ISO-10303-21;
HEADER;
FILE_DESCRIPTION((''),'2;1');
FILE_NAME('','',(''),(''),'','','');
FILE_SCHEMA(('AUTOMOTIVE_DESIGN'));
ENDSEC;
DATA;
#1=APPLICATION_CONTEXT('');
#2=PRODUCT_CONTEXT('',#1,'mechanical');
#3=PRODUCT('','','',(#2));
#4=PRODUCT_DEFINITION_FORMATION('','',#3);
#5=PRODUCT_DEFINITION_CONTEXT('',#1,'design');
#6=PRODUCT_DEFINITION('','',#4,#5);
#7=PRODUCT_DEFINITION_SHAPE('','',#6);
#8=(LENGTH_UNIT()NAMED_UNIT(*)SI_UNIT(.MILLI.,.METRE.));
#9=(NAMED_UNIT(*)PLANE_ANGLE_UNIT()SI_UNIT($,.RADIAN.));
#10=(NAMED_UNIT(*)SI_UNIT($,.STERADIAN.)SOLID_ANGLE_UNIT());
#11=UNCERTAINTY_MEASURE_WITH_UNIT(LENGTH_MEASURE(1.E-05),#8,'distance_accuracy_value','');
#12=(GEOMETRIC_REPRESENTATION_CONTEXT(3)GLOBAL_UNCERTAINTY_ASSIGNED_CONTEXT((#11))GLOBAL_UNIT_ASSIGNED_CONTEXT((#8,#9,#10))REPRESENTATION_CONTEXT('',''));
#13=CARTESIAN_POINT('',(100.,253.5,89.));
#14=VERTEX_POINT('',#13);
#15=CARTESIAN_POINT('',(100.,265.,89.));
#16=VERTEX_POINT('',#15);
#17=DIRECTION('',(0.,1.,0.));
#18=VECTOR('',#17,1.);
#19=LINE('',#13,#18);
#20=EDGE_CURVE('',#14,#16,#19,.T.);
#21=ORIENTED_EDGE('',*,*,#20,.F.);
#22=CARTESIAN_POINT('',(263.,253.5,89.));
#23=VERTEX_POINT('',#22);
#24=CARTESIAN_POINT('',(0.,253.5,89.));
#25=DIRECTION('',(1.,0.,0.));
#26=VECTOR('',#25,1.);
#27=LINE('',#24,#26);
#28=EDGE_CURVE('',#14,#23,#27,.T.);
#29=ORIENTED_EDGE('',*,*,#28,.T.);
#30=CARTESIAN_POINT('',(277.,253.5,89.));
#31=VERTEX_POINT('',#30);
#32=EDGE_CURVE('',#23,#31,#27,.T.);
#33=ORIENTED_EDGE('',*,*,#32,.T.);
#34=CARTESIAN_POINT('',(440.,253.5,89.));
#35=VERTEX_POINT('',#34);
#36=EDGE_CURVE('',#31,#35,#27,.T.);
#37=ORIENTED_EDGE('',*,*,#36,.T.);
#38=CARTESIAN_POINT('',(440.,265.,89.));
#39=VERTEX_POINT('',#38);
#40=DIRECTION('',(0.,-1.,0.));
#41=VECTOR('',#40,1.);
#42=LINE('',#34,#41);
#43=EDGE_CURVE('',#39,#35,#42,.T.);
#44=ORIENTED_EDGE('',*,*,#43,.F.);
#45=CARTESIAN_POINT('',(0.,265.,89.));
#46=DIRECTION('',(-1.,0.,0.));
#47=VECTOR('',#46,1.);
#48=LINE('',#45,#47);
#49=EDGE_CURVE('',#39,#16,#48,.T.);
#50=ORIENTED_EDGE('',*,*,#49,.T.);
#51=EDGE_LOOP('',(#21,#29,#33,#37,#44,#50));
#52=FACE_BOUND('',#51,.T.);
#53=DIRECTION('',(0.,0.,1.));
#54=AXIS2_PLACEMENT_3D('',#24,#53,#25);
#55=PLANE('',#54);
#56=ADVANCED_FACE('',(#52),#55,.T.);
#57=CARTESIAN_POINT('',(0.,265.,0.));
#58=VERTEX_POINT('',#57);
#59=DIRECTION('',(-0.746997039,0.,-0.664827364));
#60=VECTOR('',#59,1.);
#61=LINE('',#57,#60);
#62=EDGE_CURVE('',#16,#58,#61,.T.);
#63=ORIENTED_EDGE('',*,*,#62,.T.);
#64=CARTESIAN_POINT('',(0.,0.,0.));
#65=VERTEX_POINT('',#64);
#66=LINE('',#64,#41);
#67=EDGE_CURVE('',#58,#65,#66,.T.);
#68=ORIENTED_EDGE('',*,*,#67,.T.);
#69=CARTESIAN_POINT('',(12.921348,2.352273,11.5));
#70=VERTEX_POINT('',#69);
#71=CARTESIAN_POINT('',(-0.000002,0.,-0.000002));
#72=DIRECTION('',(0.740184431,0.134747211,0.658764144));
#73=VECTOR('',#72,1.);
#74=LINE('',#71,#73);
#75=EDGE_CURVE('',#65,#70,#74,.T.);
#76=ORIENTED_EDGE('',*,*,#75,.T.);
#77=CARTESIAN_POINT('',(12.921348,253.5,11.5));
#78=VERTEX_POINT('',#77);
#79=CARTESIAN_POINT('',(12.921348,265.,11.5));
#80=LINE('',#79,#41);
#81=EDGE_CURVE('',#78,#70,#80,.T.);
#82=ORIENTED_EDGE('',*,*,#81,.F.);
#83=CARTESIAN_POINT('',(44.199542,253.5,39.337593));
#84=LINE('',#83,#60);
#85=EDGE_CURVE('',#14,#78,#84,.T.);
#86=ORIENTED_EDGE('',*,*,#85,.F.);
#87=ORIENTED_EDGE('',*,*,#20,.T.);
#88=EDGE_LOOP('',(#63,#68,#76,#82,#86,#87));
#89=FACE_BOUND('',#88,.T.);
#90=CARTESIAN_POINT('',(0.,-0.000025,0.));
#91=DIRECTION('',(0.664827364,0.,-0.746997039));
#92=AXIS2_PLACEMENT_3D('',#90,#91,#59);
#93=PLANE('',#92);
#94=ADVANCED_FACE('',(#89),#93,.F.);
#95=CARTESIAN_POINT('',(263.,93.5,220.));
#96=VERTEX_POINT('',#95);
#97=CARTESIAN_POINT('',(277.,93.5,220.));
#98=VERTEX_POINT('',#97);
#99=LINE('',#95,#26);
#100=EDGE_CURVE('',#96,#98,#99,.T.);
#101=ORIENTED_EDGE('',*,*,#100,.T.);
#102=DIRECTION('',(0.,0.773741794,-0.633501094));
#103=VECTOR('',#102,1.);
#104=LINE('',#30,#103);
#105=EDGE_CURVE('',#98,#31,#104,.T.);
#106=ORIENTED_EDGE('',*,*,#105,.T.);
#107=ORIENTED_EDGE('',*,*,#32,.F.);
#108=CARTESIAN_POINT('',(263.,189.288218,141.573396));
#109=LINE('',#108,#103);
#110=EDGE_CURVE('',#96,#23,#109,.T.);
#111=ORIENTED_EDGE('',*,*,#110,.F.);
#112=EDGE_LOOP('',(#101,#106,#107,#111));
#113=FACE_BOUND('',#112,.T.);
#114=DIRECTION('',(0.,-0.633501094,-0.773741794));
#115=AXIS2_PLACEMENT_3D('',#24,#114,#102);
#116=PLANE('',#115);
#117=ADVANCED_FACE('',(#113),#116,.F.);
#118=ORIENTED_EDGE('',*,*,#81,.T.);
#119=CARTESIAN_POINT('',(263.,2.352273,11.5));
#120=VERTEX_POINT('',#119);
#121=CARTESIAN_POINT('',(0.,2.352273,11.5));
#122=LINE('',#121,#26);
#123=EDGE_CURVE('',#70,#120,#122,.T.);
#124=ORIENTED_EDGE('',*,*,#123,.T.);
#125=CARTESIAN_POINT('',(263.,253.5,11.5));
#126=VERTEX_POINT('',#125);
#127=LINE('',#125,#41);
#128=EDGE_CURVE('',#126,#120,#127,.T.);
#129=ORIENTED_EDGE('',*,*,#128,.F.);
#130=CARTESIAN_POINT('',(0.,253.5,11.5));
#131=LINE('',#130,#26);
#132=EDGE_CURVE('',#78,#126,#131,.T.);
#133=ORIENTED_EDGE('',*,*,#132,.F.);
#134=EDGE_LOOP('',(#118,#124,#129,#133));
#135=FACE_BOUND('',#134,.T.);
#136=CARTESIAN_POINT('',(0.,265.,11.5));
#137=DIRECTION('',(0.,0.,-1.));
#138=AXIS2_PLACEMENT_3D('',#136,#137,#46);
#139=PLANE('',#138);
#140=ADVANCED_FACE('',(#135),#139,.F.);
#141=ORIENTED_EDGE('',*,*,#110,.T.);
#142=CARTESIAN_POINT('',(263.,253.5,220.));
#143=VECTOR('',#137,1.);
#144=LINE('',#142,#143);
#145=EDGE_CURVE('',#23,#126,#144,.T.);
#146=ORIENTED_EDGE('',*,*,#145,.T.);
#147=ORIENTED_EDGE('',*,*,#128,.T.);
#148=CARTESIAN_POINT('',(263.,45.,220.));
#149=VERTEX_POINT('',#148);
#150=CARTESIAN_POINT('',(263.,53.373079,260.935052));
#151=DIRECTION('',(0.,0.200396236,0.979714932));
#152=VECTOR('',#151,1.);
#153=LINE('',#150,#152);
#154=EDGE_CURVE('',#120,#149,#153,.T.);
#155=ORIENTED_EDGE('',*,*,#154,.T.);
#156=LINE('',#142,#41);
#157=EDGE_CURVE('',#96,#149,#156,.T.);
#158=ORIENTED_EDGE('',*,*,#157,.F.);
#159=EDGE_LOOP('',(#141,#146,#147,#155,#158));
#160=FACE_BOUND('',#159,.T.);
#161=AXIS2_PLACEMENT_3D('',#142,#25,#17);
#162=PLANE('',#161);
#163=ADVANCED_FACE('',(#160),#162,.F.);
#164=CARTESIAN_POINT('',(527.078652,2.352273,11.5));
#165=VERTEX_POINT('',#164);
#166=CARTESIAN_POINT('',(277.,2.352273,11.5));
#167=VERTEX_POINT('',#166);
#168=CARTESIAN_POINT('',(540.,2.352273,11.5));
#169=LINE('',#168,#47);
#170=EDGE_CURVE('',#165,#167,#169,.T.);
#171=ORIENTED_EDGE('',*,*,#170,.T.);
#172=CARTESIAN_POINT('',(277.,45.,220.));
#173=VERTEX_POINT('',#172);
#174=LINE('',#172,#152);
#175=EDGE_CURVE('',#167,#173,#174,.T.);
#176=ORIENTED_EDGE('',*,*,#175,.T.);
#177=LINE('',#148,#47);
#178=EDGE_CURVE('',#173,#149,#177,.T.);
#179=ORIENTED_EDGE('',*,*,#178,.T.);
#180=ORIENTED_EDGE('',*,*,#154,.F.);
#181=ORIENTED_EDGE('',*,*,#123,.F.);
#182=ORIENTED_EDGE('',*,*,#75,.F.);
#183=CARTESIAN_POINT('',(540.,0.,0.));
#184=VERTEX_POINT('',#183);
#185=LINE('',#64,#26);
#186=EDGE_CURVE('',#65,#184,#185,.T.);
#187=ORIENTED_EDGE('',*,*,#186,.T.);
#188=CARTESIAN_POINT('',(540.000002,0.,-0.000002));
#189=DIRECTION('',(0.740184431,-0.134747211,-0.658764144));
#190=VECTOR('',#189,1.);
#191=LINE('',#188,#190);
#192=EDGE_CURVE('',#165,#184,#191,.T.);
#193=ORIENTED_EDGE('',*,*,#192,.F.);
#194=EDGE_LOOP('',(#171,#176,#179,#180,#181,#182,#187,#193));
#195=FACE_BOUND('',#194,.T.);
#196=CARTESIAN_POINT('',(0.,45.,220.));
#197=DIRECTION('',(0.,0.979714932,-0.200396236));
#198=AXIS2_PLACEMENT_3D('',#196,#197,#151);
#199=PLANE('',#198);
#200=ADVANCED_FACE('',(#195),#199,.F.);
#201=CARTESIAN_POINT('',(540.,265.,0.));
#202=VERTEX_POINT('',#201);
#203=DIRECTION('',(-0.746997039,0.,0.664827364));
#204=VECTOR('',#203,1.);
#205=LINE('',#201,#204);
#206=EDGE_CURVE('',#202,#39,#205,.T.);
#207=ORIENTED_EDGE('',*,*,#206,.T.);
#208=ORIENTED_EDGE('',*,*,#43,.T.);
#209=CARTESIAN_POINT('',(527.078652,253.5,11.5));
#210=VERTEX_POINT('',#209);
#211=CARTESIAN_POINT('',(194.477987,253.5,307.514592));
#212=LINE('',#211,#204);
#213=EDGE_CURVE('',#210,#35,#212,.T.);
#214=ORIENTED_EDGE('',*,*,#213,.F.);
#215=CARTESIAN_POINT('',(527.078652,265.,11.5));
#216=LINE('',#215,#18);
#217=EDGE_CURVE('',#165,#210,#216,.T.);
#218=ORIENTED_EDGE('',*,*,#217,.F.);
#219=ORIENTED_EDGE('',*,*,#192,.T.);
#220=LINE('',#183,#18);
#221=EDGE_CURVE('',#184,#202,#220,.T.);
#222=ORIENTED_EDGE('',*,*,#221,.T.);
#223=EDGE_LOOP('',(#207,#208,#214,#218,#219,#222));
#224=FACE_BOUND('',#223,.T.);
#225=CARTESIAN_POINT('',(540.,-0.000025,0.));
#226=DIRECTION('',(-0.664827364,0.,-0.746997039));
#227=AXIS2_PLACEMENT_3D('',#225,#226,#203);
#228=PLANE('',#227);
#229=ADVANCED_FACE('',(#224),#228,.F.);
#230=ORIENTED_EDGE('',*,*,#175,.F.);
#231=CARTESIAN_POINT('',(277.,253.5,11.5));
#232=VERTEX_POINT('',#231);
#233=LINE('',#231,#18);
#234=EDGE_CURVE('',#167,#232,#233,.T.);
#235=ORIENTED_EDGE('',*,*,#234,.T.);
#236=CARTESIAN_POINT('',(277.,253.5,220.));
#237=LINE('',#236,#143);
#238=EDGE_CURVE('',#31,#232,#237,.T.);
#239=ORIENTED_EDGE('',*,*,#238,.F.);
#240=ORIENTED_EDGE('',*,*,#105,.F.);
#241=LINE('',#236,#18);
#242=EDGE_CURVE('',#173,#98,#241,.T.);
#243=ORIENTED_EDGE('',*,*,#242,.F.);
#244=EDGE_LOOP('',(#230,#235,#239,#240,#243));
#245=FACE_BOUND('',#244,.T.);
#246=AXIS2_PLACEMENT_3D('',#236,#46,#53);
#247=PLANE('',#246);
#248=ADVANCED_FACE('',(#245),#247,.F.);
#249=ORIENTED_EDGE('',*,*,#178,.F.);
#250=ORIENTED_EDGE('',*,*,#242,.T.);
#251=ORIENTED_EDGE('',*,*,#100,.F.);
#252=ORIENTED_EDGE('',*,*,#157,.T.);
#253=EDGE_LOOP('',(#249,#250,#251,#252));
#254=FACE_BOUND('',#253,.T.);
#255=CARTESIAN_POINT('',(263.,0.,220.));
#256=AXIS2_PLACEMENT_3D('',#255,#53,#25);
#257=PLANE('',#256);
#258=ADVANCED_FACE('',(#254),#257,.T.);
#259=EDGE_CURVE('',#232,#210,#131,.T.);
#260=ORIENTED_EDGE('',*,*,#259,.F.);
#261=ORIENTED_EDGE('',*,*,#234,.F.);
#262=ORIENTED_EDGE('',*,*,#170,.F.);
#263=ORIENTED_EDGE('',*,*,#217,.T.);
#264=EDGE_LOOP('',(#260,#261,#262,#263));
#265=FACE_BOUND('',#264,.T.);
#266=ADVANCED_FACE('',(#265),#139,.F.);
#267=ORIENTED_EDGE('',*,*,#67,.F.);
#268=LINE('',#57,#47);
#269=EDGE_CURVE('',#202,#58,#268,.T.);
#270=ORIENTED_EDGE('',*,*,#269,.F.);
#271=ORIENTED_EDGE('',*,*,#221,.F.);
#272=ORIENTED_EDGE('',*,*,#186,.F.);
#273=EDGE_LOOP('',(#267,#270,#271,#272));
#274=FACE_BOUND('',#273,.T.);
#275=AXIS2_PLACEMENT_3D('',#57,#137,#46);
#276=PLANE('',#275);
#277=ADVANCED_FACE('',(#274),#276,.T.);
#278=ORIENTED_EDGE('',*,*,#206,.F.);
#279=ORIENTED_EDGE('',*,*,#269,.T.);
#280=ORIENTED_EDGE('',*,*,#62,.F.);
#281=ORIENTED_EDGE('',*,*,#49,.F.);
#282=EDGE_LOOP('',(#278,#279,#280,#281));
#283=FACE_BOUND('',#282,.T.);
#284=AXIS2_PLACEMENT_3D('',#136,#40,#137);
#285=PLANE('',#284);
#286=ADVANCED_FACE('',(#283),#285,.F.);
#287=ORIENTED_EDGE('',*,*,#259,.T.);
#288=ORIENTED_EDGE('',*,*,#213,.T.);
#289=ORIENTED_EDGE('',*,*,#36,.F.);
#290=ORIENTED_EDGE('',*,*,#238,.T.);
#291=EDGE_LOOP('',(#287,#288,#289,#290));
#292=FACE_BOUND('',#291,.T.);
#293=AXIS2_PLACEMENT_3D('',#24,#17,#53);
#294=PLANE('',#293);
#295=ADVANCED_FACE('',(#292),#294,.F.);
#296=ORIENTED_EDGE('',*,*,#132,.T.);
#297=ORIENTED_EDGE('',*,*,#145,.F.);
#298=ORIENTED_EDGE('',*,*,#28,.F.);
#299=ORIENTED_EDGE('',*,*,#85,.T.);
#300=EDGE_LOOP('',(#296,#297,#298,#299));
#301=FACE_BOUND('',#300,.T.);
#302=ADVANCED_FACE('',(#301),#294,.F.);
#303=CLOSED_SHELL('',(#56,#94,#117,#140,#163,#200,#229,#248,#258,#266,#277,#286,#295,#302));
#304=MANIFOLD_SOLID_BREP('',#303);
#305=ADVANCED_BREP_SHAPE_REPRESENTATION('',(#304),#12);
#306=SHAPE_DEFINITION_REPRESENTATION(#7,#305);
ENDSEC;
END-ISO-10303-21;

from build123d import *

# Parameters (mm, degrees)
SKETCH_1_W          = 540
SKETCH_1_H          = 265
EXTRUDE_505_DEPTH   = 11.5
SKETCH_2_W          = 540
SKETCH_2_H          = 11.5
EXTRUDE_1_DEPTH     = 77.5
CUT_EXTRUDE_1_DEPTH = 609.067430471
SKETCH_5_W          = 14
SKETCH_5_H          = 253.5
EXTRUDE_2_DEPTH     = 208.5
CUT_EXTRUDE_3_DEPTH = 442.988687638
CUT_EXTRUDE_4_DEPTH = 442.988687638


with BuildPart() as part:
    # 草图1 → Extrude 505 (new body)
    with BuildSketch(Plane.XY):
        with Locations((270, 132.5)):
            Rectangle(SKETCH_1_W, SKETCH_1_H)
    extrude(amount=EXTRUDE_505_DEPTH)

    # 草图2 → 凸台-拉伸1 (add)
    with BuildSketch(Plane.XY.offset(11.5)):
        with Locations((270, 259.25)):
            Rectangle(SKETCH_2_W, SKETCH_2_H)
    extrude(amount=EXTRUDE_1_DEPTH)

    # 草图3 → 切除-拉伸1 (cut, through all)
    with BuildSketch(Plane(origin=(0, 265, 0), x_dir=(-1, 0, 0), z_dir=(0, 1, 0))):
        Polygon((0, 0), (-100, 89), (0, 89), align=None)
        Polygon((-540, 0), (-440, 89), (-540, 89), align=None)
    extrude(amount=-CUT_EXTRUDE_1_DEPTH, mode=Mode.SUBTRACT)

    # 草图5 → 凸台-拉伸2 (add)
    with BuildSketch(Plane.XY.offset(11.5)):
        with Locations((270, 126.75)):
            Rectangle(SKETCH_5_W, SKETCH_5_H)
    extrude(amount=EXTRUDE_2_DEPTH)

    # 草图6 → 切除-拉伸3 (cut, through all)
    with BuildSketch(Plane(origin=(277, 0, 0), x_dir=(0, 0, -1), z_dir=(1, 0, 0))):
        Polygon((-89, 253.5), (-220, 93.5), (-220, 253.5), align=None)
        Polygon((-220, 45), (0, 0), (-220, 0), align=None)
    extrude(amount=-CUT_EXTRUDE_3_DEPTH, mode=Mode.SUBTRACT)

    # 草图7 → 切除-拉伸4 (cut, through all)
    with BuildSketch(Plane.ZY.offset(-277)):
        Polygon((0, 0), (11.5, 2.352272727), (11.5, 0), align=None)
    extrude(amount=-CUT_EXTRUDE_4_DEPTH, mode=Mode.SUBTRACT)


solid = part.part
